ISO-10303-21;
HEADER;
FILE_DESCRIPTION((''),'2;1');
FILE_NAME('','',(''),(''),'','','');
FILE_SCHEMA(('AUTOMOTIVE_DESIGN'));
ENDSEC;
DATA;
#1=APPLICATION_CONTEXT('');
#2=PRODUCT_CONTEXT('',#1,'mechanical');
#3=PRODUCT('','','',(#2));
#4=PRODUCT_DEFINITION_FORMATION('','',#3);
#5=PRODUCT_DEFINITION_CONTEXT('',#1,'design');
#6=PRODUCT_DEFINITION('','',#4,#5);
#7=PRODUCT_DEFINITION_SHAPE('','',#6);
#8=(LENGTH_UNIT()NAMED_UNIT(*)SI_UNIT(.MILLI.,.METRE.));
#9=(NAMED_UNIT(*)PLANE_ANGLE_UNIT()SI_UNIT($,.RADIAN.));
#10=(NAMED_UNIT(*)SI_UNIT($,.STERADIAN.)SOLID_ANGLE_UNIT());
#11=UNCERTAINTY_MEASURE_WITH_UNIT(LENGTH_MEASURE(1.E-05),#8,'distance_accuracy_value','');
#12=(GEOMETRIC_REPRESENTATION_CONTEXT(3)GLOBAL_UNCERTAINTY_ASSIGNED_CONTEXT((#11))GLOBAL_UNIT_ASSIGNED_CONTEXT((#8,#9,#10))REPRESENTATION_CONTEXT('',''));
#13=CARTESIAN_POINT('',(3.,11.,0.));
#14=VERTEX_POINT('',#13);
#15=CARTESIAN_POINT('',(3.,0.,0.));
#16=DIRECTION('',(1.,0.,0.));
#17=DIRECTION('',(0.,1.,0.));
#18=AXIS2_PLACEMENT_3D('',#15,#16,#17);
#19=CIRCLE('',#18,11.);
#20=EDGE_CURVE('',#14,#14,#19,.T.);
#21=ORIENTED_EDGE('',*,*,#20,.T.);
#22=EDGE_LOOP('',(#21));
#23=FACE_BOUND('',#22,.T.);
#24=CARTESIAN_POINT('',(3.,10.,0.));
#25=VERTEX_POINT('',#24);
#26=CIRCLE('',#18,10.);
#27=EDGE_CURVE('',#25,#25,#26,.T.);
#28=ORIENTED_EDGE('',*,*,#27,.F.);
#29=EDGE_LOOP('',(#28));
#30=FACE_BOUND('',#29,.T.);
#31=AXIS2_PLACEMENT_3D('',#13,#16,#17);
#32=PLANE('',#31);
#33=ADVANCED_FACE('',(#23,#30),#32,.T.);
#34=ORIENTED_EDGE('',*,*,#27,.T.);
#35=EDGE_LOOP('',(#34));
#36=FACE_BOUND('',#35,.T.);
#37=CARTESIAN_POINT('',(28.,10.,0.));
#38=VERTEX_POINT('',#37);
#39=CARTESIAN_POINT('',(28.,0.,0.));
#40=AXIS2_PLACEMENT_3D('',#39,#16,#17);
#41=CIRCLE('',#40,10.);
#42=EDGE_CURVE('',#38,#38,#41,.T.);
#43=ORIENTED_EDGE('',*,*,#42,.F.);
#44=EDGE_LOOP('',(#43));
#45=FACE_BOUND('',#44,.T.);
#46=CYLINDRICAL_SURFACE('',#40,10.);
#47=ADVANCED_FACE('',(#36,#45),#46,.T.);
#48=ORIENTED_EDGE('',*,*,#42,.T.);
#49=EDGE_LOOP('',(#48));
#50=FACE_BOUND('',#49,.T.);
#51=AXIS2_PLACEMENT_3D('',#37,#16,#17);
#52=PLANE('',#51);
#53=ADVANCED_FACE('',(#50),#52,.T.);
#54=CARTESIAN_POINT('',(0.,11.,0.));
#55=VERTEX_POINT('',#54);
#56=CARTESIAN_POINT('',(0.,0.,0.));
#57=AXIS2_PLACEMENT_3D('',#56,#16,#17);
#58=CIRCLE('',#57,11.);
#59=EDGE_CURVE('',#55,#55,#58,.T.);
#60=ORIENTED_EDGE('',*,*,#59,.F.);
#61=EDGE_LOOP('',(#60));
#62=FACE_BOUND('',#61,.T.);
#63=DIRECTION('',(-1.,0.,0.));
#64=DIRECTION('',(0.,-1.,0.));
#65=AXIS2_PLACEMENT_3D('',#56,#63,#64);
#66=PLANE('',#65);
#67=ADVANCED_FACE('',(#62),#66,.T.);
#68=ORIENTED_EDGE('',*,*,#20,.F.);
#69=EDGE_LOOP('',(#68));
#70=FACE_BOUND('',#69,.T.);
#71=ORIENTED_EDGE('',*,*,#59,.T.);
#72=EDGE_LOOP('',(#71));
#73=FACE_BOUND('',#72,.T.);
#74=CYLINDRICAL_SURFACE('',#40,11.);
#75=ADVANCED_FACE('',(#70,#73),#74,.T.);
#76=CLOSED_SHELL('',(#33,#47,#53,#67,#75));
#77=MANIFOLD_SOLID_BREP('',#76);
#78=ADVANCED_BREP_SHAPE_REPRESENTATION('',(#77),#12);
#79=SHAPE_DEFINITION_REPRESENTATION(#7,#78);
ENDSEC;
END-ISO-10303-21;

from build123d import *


with BuildPart() as part:
    # Sketch1 → Revolve1 (revolve)
    with BuildSketch(Plane.XY):
        Polygon((0, 0), (0, 11), (3, 11), (3, 10), (28, 10), (28, 0), align=None)
    revolve(axis=Axis((28, 0, 0), (-1, 0, 0)))


solid = part.part
